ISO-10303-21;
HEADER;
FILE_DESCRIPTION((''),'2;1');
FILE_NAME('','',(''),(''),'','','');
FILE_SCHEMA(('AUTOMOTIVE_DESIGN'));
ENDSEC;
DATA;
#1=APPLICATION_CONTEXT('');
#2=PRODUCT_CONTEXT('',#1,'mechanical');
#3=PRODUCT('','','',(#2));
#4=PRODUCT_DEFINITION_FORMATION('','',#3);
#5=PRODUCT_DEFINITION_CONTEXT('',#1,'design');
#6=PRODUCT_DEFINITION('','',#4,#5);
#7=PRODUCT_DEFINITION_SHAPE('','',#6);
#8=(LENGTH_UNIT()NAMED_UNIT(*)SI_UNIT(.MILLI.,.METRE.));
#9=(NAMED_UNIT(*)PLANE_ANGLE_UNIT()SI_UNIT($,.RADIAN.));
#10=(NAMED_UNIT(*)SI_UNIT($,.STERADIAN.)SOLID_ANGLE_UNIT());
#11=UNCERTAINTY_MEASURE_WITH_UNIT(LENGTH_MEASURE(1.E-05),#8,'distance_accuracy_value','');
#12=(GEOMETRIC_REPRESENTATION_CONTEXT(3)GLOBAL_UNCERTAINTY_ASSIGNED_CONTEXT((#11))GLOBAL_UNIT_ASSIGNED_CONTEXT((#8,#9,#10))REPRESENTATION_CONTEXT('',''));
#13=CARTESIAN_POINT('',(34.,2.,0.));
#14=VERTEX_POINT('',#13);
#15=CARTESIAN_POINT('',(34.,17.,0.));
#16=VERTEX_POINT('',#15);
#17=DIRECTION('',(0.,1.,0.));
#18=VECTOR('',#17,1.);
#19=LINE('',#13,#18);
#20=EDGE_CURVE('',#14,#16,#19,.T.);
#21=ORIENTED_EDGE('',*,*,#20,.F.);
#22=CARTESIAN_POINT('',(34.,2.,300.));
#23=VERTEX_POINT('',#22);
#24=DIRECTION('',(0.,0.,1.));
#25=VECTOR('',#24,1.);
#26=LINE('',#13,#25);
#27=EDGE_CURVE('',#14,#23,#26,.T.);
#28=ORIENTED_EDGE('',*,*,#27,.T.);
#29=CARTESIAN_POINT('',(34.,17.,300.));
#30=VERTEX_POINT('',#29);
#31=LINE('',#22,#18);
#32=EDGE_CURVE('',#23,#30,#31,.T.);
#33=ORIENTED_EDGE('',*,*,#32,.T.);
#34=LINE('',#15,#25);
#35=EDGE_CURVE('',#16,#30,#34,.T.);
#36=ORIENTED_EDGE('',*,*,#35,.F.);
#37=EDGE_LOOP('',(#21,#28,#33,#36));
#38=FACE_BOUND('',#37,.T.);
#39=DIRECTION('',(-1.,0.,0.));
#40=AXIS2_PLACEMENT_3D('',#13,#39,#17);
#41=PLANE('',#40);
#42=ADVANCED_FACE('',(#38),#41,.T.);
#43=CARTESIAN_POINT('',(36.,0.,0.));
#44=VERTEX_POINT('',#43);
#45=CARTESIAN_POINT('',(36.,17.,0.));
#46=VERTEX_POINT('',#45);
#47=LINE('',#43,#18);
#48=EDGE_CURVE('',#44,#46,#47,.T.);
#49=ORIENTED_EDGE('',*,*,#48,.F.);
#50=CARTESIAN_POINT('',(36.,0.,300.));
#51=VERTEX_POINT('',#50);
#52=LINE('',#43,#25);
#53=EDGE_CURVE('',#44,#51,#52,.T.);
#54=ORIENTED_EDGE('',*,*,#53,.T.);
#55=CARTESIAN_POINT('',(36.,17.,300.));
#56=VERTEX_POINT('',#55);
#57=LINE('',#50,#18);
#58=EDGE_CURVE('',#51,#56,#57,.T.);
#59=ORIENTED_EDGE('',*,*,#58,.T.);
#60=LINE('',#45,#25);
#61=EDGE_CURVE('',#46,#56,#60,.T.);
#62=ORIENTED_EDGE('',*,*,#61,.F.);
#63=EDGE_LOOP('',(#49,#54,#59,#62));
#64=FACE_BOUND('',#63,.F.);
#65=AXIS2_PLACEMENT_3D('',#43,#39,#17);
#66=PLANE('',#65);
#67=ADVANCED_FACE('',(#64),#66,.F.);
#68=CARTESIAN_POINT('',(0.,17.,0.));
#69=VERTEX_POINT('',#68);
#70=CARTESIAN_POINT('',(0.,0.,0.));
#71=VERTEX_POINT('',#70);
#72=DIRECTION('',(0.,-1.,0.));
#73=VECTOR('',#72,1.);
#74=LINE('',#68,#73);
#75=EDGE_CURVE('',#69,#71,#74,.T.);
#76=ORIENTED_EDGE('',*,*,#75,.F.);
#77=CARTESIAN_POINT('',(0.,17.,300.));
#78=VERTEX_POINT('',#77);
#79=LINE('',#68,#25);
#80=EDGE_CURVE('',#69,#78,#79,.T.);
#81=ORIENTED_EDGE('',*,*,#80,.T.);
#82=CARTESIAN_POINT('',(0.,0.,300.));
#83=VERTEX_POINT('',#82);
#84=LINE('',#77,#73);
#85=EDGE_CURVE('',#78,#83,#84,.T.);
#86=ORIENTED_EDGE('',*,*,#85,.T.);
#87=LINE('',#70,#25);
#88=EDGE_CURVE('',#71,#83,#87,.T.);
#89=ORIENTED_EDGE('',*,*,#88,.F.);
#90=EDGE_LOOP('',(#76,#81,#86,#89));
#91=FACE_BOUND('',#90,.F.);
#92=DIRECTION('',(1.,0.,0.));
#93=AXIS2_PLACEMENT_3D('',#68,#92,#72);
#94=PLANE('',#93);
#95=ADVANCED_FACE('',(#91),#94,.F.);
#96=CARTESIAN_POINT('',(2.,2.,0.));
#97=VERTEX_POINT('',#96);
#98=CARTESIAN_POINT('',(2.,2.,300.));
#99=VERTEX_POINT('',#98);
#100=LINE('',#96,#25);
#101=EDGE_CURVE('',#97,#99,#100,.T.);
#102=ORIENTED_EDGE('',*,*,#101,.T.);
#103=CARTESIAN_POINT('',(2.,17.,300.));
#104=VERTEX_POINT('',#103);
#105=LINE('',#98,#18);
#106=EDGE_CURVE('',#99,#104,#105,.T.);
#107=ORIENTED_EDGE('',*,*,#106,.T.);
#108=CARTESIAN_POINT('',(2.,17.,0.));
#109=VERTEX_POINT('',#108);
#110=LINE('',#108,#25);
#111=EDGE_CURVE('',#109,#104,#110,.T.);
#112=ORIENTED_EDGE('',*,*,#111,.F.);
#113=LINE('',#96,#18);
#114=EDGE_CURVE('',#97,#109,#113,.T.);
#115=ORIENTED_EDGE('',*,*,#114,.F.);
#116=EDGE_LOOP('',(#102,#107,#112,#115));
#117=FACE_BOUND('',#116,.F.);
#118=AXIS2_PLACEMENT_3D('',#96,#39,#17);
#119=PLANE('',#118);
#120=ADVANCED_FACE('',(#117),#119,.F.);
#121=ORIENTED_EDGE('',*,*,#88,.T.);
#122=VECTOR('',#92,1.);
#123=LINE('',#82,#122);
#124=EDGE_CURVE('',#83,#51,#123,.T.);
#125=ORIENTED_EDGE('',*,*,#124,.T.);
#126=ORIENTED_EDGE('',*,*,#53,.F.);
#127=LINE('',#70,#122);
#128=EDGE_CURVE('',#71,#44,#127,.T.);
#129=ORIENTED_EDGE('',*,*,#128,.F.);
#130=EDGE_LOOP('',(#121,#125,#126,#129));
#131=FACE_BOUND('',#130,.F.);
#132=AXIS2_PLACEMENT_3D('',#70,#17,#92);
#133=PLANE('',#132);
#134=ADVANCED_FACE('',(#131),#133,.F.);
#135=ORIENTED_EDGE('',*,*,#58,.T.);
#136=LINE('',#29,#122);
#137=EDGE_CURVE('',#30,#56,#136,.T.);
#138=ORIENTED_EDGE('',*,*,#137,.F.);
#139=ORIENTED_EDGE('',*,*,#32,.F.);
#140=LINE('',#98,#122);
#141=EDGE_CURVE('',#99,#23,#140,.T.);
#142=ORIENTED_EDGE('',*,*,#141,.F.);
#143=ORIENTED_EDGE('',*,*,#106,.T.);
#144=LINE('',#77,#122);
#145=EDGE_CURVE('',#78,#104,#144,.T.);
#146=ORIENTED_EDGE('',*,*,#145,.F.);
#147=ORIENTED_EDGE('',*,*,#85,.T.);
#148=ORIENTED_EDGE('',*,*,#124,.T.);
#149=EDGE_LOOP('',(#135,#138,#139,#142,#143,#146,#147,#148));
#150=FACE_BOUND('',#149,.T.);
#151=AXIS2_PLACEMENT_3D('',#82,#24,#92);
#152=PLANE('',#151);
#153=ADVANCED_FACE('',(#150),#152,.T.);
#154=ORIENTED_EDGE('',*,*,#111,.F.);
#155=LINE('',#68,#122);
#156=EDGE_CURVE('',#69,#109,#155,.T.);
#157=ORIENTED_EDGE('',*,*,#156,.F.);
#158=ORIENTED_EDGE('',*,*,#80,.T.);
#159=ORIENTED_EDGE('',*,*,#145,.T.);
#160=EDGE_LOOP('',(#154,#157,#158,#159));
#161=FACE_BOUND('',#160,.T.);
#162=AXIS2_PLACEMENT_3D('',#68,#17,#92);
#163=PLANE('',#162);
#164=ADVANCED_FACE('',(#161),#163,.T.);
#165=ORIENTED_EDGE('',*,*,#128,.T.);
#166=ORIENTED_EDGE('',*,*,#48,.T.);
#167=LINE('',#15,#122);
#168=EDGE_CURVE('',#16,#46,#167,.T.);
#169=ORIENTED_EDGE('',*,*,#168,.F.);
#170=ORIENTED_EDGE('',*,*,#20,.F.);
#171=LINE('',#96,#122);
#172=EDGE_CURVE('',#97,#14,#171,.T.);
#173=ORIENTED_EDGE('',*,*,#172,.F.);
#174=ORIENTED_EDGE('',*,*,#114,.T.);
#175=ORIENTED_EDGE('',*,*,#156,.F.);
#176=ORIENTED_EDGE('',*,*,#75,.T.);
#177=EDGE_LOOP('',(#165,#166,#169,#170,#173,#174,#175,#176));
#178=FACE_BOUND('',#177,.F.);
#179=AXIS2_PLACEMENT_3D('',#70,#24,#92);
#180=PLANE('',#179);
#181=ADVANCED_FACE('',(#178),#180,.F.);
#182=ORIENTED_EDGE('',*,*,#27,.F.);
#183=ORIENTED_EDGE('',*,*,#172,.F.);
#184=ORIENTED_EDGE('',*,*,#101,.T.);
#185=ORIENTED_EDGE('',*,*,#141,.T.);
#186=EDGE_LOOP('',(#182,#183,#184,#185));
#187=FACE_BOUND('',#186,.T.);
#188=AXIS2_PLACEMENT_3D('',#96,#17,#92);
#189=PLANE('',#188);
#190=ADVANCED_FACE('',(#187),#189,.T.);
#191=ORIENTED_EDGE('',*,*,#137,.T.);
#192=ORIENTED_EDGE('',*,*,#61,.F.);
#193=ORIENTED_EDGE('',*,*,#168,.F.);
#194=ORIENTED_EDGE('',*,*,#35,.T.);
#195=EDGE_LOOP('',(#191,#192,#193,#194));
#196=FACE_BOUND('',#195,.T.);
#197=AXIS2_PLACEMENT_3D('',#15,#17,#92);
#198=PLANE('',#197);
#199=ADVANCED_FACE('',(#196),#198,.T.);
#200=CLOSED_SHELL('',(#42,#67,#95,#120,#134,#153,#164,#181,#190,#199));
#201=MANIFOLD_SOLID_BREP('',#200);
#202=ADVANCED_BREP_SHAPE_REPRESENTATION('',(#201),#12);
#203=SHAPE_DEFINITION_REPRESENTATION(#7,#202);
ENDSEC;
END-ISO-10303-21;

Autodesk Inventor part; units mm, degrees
ref_plane "YZ Plane" through (0, 0, 0) normal (1, 0, 0) x (0, 1, 0)
ref_plane "XZ Plane" through (0, 0, 0) normal (0, 1, 0) x (-1, 0, 0)
ref_plane "XY Plane" through (0, 0, 0) normal (0, 0, 1) x (1, 0, 0)
sketch "Sketch1" plane through (0, 0, 0) normal (0, 0, 1) x (1, 0, 0)
  line L0 (2, 2) -> (34, 2)
  line L1 (34, 2) -> (34, 17)
  line L2 (2, 2) -> (2, 17)
  line L3 (0, 17) -> (0, 0)
  line L4 (0, 0) -> (36, 0)
  line L5 (36, 0) -> (36, 17)
  line L6 (0, 17) -> (2, 17)
  line L7 (34, 17) -> (36, 17)
  dimension "d0" = 32
  dimension "d1" = 15
  dimension "d2" = 15
  dimension "d3" = 2
extrude "Extrusion1" add sketch "Sketch1" along normal blind 300
properties part number "slide1"
